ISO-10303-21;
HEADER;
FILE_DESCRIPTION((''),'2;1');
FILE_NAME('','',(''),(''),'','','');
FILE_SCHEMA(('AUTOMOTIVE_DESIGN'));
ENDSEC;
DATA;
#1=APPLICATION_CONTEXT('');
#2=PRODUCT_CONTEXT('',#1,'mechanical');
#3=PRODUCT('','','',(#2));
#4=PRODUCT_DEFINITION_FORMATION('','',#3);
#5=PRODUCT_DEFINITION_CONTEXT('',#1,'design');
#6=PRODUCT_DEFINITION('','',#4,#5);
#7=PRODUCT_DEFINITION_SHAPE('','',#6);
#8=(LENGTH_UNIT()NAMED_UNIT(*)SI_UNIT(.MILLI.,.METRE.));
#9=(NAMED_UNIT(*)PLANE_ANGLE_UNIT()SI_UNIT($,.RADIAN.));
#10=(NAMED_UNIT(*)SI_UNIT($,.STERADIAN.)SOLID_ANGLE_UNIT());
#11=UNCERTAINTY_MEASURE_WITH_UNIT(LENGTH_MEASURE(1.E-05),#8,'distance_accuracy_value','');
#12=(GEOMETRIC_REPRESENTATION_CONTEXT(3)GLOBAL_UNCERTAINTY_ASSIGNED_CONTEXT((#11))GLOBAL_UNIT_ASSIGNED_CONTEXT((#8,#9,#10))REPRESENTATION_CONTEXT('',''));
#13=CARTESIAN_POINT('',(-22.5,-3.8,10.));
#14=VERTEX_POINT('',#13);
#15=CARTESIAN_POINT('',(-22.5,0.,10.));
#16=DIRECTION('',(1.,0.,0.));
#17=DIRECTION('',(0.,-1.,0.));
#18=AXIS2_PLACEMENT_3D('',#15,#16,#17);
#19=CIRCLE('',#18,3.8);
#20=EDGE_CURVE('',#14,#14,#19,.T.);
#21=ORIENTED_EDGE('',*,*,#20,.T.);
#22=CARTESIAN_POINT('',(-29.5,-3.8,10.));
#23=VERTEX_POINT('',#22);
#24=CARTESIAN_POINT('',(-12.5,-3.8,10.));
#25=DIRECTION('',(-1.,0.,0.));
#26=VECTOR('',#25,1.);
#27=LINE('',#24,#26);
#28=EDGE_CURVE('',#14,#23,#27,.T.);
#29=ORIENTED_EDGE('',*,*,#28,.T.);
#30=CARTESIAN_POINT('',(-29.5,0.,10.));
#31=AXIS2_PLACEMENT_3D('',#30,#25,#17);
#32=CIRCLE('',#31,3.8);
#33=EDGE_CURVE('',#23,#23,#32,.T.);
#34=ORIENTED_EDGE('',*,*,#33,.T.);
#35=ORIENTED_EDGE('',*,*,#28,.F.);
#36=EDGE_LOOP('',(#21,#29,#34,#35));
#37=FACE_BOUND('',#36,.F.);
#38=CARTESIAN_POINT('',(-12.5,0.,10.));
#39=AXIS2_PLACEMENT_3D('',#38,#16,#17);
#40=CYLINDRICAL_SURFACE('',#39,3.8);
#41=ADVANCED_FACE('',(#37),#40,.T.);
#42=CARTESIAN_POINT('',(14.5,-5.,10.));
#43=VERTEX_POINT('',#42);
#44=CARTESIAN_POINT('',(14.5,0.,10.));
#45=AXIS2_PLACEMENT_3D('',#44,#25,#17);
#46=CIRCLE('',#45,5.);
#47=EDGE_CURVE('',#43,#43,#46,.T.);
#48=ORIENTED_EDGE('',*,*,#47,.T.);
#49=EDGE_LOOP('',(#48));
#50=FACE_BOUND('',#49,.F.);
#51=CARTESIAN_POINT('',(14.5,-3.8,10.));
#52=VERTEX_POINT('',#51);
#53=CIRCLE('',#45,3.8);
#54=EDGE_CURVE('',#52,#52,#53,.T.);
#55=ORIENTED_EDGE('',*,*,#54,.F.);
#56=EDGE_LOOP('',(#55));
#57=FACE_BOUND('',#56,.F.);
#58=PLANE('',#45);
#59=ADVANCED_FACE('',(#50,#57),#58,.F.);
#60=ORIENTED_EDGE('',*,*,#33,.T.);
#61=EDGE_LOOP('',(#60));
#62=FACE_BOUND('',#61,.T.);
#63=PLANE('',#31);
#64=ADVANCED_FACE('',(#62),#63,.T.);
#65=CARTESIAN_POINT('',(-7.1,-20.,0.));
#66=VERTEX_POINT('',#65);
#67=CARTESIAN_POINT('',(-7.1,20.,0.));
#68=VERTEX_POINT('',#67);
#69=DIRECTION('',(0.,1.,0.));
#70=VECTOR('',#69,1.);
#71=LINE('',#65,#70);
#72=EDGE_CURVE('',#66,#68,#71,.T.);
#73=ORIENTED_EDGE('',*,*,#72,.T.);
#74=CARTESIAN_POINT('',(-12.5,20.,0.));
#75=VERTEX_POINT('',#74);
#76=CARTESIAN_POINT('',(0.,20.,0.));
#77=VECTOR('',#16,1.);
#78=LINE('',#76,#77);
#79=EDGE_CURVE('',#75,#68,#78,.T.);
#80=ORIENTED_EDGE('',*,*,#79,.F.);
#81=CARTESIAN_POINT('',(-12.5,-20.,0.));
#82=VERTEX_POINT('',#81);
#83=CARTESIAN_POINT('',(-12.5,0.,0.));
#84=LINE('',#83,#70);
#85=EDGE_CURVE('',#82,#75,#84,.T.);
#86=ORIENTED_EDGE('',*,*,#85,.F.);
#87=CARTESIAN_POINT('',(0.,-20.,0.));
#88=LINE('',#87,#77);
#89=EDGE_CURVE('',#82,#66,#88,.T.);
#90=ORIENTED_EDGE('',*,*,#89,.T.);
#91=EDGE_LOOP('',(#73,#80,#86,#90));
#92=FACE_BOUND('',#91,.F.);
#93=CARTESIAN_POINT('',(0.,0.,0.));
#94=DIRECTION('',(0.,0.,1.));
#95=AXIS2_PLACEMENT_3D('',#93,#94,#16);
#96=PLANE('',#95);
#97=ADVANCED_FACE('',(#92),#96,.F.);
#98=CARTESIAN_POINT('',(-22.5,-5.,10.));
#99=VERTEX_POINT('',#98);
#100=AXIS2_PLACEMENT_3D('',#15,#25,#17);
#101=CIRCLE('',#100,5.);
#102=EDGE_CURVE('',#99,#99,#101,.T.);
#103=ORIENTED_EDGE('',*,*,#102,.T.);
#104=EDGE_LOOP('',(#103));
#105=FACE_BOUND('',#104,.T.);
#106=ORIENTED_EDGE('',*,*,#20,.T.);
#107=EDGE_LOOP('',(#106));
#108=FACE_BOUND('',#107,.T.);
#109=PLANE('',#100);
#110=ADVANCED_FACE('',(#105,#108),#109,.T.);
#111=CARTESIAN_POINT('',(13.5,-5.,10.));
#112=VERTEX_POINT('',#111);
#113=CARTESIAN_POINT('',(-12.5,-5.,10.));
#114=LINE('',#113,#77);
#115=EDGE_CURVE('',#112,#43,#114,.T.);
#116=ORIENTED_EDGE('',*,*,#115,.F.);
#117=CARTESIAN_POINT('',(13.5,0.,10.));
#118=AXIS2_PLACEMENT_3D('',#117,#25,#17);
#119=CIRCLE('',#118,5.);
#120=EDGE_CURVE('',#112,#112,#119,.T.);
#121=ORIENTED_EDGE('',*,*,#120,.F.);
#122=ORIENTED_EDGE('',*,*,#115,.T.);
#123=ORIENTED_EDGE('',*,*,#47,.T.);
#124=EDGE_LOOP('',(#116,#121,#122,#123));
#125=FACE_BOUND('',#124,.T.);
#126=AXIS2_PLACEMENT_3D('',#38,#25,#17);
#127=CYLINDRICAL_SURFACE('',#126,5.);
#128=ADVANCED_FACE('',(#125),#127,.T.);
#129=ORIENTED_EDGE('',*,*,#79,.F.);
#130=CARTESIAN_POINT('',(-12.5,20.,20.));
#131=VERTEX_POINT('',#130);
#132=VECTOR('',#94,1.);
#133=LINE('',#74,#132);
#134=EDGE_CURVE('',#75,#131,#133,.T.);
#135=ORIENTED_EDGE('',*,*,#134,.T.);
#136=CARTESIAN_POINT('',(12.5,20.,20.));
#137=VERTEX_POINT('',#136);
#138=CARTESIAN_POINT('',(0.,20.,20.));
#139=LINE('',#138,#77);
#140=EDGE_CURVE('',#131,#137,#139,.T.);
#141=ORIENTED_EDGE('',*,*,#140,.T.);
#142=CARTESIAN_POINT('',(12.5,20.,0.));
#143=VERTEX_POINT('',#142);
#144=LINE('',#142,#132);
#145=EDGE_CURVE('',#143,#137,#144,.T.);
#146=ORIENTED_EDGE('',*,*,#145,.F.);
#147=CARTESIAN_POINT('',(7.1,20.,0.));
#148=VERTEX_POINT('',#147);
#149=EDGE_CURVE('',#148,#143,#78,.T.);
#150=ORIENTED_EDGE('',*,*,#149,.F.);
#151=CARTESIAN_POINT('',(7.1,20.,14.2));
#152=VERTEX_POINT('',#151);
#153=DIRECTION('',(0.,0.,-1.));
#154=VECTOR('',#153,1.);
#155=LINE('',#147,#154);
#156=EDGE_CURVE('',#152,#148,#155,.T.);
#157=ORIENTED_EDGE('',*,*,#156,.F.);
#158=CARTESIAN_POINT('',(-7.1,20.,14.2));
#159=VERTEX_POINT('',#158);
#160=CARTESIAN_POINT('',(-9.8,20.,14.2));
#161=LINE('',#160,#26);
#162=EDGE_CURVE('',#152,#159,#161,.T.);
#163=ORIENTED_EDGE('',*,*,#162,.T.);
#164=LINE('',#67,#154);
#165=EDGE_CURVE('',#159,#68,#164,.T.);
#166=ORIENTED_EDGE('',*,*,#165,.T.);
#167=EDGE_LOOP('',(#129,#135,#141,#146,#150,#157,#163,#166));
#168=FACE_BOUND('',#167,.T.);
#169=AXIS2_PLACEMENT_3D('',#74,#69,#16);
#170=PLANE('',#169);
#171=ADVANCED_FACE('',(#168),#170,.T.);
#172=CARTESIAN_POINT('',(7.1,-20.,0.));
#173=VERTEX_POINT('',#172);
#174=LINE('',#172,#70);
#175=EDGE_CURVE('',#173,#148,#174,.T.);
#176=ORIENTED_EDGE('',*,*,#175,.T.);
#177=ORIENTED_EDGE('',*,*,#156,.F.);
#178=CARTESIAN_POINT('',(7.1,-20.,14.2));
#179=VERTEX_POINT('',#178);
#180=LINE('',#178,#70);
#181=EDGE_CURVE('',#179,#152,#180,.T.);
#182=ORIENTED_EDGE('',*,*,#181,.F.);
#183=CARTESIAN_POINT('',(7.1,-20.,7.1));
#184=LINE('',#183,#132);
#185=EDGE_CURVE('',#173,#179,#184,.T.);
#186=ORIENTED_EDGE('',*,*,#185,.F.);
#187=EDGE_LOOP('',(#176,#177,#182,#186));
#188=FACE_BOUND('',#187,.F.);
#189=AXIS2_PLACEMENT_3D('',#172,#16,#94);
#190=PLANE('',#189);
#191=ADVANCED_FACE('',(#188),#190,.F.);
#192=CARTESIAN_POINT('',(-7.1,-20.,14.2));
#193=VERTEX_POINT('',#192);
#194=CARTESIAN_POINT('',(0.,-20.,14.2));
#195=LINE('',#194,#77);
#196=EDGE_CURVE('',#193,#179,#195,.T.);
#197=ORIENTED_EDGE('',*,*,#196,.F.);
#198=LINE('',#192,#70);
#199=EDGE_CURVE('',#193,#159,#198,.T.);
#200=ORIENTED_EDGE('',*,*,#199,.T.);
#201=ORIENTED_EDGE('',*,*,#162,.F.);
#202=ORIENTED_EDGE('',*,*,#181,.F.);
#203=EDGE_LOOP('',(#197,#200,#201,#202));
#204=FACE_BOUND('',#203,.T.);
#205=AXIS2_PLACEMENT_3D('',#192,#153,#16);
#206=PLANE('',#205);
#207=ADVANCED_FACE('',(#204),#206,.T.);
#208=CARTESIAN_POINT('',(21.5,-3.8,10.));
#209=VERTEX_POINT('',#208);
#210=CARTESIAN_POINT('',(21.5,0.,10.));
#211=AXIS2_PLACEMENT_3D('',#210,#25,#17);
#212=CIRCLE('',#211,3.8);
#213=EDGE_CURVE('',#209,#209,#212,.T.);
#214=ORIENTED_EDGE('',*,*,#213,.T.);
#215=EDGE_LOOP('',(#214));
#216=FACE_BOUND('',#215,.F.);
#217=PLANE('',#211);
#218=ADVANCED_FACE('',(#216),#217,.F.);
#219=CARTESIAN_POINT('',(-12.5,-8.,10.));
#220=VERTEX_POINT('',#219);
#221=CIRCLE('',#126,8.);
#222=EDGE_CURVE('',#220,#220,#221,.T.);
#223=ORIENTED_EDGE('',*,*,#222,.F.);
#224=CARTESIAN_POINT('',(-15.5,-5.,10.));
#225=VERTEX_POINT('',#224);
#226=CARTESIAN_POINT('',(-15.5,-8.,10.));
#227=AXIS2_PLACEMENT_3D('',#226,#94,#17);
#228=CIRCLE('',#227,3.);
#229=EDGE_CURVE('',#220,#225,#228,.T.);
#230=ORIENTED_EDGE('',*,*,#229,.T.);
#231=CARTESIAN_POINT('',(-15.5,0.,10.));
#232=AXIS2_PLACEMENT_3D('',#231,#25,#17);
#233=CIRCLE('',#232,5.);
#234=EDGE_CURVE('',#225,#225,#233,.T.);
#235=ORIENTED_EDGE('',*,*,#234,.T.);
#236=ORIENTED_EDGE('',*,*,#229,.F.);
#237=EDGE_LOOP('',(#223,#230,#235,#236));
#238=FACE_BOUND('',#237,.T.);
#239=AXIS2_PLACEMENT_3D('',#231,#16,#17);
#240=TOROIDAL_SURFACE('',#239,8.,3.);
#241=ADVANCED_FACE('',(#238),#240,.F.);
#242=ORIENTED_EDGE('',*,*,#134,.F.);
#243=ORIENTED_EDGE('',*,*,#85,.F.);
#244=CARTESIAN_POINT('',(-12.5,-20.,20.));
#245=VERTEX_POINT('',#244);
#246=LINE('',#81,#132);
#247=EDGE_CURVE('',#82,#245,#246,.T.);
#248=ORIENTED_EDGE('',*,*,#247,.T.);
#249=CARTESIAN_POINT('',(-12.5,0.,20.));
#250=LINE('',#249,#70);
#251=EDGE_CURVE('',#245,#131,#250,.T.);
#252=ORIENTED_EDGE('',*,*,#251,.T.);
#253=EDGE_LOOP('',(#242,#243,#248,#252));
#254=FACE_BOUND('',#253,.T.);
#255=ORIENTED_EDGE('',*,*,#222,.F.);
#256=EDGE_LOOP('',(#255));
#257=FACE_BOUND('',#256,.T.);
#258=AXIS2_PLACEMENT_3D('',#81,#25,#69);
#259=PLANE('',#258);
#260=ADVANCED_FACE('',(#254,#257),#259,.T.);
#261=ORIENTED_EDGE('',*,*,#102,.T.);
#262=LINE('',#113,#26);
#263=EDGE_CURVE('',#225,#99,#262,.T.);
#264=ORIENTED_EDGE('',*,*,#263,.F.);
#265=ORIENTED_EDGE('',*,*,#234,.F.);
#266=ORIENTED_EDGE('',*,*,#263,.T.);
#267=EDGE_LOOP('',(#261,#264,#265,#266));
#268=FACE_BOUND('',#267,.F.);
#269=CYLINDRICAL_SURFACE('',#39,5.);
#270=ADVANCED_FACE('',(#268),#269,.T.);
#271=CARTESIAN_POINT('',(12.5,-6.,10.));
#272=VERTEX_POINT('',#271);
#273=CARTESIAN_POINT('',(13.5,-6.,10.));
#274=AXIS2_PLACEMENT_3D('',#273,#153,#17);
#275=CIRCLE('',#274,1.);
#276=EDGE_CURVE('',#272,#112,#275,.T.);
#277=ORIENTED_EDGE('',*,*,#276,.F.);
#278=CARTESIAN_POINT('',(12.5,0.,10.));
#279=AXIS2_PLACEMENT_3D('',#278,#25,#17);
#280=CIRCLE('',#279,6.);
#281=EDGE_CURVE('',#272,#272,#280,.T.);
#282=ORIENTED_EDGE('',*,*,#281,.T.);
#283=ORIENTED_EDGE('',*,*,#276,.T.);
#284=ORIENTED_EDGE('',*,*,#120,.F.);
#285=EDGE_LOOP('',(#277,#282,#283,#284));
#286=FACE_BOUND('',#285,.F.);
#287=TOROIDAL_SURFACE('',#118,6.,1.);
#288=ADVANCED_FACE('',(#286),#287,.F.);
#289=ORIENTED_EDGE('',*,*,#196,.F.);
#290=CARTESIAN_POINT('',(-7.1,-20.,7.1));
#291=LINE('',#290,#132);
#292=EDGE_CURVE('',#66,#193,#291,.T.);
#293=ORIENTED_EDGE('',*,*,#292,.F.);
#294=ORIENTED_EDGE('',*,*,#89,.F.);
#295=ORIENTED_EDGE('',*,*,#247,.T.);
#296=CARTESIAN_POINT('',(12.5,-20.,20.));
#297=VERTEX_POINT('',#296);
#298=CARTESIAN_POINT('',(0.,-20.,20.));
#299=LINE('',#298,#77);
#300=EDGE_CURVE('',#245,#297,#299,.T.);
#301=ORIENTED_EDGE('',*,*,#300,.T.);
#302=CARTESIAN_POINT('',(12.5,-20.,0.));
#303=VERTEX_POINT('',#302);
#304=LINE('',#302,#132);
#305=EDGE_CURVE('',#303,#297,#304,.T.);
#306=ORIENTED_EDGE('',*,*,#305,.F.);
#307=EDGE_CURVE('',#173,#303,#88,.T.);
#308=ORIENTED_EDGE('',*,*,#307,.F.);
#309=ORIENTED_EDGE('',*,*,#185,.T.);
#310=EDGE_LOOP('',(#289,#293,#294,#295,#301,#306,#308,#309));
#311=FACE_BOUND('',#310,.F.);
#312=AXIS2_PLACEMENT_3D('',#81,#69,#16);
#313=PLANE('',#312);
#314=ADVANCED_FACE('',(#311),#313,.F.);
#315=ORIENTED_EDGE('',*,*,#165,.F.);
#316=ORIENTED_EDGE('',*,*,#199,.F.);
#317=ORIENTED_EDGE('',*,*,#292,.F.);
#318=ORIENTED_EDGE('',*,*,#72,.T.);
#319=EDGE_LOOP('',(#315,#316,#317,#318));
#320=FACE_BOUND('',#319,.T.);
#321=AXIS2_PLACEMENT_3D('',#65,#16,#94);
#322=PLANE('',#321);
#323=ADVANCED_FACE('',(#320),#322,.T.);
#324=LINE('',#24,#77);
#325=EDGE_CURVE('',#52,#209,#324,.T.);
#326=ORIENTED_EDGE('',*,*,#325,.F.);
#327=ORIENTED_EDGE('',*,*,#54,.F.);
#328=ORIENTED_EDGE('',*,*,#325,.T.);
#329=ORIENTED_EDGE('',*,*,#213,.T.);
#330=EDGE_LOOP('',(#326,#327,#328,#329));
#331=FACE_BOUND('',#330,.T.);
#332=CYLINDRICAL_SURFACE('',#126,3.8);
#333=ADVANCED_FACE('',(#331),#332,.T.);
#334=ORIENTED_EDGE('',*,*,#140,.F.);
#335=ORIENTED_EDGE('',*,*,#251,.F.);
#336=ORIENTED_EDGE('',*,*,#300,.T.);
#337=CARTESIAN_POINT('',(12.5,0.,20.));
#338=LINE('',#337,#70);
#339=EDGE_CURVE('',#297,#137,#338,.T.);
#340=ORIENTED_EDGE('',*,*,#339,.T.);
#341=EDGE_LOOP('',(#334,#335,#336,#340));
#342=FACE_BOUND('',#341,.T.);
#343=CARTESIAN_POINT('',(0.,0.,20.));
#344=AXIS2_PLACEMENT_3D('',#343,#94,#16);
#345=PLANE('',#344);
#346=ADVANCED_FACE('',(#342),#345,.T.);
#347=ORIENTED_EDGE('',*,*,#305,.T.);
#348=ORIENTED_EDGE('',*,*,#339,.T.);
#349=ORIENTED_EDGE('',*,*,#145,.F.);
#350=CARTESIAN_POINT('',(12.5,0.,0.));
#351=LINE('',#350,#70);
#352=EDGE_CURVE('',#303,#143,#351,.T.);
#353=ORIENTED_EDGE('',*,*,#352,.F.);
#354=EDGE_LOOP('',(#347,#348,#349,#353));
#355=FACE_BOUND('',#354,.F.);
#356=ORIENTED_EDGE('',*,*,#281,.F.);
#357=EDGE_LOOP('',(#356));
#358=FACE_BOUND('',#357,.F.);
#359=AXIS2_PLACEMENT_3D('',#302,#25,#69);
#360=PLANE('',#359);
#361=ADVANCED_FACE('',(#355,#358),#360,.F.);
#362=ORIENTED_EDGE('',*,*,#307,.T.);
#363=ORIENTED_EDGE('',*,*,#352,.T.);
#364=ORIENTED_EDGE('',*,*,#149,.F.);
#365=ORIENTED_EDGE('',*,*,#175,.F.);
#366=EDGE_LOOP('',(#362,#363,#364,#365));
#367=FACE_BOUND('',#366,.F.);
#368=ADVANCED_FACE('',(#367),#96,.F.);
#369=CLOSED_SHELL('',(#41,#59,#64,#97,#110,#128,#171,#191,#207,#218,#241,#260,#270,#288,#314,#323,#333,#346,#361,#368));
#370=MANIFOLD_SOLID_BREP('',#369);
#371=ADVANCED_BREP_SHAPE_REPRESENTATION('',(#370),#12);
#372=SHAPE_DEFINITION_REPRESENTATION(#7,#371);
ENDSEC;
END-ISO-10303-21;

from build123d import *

# Parameters (mm, degrees)
SKETCH_W          = 25
SKETCH_H          = 40
PAD_DEPTH         = 20
SKETCH001_R       = 3.8
PAD001_DEPTH      = 17
PAD001_DEPTH_BACK = 34
SKETCH002_R       = 5
PAD002_DEPTH      = 10
PAD002_DEPTH_BACK = 27
SKETCH003_W       = 14.2
SKETCH003_H       = 14.2
POCKET_DEPTH      = 50
FILLET003_R       = 3
FILLET004_R       = 1


with BuildPart() as part:
    # Sketch → Pad (new body)
    with BuildSketch(Plane.XY):
        Rectangle(SKETCH_W, SKETCH_H)
    extrude(amount=PAD_DEPTH)

    # Sketch001 → Pad001 (new body, two sides)
    with BuildSketch(Plane(origin=(-12.5, 0, 0), x_dir=(0, -1, 0), z_dir=(-1, 0, 0))) as pad001_sk:
        with Locations((0, 10)):
            Circle(SKETCH001_R)
    extrude(amount=PAD001_DEPTH)
    extrude(pad001_sk.sketch, amount=-PAD001_DEPTH_BACK)

    # Sketch002 → Pad002 (new body, two sides)
    with BuildSketch(Plane(origin=(-12.5, 0, 0), x_dir=(0, -1, 0), z_dir=(-1, 0, 0))) as pad002_sk:
        with Locations((0, 10)):
            Circle(SKETCH002_R)
    extrude(amount=PAD002_DEPTH)
    extrude(pad002_sk.sketch, amount=-PAD002_DEPTH_BACK)

    # Sketch003 → Pocket (cut)
    with BuildSketch(Plane.XZ.offset(20)):
        with Locations((0, 7.1)):
            Rectangle(SKETCH003_W, SKETCH003_H)
    extrude(amount=-POCKET_DEPTH, mode=Mode.SUBTRACT)

    # Fillet003
    fillet003_edges = [part.edges().sort_by_distance(p)[0] for p in [
        (-12.5, 5, 10),
    ]]
    fillet(fillet003_edges, radius=FILLET003_R)

    # Fillet004
    fillet004_edges = [part.edges().sort_by_distance(p)[0] for p in [
        (12.5, 5, 10),
    ]]
    fillet(fillet004_edges, radius=FILLET004_R)


solid = part.part
